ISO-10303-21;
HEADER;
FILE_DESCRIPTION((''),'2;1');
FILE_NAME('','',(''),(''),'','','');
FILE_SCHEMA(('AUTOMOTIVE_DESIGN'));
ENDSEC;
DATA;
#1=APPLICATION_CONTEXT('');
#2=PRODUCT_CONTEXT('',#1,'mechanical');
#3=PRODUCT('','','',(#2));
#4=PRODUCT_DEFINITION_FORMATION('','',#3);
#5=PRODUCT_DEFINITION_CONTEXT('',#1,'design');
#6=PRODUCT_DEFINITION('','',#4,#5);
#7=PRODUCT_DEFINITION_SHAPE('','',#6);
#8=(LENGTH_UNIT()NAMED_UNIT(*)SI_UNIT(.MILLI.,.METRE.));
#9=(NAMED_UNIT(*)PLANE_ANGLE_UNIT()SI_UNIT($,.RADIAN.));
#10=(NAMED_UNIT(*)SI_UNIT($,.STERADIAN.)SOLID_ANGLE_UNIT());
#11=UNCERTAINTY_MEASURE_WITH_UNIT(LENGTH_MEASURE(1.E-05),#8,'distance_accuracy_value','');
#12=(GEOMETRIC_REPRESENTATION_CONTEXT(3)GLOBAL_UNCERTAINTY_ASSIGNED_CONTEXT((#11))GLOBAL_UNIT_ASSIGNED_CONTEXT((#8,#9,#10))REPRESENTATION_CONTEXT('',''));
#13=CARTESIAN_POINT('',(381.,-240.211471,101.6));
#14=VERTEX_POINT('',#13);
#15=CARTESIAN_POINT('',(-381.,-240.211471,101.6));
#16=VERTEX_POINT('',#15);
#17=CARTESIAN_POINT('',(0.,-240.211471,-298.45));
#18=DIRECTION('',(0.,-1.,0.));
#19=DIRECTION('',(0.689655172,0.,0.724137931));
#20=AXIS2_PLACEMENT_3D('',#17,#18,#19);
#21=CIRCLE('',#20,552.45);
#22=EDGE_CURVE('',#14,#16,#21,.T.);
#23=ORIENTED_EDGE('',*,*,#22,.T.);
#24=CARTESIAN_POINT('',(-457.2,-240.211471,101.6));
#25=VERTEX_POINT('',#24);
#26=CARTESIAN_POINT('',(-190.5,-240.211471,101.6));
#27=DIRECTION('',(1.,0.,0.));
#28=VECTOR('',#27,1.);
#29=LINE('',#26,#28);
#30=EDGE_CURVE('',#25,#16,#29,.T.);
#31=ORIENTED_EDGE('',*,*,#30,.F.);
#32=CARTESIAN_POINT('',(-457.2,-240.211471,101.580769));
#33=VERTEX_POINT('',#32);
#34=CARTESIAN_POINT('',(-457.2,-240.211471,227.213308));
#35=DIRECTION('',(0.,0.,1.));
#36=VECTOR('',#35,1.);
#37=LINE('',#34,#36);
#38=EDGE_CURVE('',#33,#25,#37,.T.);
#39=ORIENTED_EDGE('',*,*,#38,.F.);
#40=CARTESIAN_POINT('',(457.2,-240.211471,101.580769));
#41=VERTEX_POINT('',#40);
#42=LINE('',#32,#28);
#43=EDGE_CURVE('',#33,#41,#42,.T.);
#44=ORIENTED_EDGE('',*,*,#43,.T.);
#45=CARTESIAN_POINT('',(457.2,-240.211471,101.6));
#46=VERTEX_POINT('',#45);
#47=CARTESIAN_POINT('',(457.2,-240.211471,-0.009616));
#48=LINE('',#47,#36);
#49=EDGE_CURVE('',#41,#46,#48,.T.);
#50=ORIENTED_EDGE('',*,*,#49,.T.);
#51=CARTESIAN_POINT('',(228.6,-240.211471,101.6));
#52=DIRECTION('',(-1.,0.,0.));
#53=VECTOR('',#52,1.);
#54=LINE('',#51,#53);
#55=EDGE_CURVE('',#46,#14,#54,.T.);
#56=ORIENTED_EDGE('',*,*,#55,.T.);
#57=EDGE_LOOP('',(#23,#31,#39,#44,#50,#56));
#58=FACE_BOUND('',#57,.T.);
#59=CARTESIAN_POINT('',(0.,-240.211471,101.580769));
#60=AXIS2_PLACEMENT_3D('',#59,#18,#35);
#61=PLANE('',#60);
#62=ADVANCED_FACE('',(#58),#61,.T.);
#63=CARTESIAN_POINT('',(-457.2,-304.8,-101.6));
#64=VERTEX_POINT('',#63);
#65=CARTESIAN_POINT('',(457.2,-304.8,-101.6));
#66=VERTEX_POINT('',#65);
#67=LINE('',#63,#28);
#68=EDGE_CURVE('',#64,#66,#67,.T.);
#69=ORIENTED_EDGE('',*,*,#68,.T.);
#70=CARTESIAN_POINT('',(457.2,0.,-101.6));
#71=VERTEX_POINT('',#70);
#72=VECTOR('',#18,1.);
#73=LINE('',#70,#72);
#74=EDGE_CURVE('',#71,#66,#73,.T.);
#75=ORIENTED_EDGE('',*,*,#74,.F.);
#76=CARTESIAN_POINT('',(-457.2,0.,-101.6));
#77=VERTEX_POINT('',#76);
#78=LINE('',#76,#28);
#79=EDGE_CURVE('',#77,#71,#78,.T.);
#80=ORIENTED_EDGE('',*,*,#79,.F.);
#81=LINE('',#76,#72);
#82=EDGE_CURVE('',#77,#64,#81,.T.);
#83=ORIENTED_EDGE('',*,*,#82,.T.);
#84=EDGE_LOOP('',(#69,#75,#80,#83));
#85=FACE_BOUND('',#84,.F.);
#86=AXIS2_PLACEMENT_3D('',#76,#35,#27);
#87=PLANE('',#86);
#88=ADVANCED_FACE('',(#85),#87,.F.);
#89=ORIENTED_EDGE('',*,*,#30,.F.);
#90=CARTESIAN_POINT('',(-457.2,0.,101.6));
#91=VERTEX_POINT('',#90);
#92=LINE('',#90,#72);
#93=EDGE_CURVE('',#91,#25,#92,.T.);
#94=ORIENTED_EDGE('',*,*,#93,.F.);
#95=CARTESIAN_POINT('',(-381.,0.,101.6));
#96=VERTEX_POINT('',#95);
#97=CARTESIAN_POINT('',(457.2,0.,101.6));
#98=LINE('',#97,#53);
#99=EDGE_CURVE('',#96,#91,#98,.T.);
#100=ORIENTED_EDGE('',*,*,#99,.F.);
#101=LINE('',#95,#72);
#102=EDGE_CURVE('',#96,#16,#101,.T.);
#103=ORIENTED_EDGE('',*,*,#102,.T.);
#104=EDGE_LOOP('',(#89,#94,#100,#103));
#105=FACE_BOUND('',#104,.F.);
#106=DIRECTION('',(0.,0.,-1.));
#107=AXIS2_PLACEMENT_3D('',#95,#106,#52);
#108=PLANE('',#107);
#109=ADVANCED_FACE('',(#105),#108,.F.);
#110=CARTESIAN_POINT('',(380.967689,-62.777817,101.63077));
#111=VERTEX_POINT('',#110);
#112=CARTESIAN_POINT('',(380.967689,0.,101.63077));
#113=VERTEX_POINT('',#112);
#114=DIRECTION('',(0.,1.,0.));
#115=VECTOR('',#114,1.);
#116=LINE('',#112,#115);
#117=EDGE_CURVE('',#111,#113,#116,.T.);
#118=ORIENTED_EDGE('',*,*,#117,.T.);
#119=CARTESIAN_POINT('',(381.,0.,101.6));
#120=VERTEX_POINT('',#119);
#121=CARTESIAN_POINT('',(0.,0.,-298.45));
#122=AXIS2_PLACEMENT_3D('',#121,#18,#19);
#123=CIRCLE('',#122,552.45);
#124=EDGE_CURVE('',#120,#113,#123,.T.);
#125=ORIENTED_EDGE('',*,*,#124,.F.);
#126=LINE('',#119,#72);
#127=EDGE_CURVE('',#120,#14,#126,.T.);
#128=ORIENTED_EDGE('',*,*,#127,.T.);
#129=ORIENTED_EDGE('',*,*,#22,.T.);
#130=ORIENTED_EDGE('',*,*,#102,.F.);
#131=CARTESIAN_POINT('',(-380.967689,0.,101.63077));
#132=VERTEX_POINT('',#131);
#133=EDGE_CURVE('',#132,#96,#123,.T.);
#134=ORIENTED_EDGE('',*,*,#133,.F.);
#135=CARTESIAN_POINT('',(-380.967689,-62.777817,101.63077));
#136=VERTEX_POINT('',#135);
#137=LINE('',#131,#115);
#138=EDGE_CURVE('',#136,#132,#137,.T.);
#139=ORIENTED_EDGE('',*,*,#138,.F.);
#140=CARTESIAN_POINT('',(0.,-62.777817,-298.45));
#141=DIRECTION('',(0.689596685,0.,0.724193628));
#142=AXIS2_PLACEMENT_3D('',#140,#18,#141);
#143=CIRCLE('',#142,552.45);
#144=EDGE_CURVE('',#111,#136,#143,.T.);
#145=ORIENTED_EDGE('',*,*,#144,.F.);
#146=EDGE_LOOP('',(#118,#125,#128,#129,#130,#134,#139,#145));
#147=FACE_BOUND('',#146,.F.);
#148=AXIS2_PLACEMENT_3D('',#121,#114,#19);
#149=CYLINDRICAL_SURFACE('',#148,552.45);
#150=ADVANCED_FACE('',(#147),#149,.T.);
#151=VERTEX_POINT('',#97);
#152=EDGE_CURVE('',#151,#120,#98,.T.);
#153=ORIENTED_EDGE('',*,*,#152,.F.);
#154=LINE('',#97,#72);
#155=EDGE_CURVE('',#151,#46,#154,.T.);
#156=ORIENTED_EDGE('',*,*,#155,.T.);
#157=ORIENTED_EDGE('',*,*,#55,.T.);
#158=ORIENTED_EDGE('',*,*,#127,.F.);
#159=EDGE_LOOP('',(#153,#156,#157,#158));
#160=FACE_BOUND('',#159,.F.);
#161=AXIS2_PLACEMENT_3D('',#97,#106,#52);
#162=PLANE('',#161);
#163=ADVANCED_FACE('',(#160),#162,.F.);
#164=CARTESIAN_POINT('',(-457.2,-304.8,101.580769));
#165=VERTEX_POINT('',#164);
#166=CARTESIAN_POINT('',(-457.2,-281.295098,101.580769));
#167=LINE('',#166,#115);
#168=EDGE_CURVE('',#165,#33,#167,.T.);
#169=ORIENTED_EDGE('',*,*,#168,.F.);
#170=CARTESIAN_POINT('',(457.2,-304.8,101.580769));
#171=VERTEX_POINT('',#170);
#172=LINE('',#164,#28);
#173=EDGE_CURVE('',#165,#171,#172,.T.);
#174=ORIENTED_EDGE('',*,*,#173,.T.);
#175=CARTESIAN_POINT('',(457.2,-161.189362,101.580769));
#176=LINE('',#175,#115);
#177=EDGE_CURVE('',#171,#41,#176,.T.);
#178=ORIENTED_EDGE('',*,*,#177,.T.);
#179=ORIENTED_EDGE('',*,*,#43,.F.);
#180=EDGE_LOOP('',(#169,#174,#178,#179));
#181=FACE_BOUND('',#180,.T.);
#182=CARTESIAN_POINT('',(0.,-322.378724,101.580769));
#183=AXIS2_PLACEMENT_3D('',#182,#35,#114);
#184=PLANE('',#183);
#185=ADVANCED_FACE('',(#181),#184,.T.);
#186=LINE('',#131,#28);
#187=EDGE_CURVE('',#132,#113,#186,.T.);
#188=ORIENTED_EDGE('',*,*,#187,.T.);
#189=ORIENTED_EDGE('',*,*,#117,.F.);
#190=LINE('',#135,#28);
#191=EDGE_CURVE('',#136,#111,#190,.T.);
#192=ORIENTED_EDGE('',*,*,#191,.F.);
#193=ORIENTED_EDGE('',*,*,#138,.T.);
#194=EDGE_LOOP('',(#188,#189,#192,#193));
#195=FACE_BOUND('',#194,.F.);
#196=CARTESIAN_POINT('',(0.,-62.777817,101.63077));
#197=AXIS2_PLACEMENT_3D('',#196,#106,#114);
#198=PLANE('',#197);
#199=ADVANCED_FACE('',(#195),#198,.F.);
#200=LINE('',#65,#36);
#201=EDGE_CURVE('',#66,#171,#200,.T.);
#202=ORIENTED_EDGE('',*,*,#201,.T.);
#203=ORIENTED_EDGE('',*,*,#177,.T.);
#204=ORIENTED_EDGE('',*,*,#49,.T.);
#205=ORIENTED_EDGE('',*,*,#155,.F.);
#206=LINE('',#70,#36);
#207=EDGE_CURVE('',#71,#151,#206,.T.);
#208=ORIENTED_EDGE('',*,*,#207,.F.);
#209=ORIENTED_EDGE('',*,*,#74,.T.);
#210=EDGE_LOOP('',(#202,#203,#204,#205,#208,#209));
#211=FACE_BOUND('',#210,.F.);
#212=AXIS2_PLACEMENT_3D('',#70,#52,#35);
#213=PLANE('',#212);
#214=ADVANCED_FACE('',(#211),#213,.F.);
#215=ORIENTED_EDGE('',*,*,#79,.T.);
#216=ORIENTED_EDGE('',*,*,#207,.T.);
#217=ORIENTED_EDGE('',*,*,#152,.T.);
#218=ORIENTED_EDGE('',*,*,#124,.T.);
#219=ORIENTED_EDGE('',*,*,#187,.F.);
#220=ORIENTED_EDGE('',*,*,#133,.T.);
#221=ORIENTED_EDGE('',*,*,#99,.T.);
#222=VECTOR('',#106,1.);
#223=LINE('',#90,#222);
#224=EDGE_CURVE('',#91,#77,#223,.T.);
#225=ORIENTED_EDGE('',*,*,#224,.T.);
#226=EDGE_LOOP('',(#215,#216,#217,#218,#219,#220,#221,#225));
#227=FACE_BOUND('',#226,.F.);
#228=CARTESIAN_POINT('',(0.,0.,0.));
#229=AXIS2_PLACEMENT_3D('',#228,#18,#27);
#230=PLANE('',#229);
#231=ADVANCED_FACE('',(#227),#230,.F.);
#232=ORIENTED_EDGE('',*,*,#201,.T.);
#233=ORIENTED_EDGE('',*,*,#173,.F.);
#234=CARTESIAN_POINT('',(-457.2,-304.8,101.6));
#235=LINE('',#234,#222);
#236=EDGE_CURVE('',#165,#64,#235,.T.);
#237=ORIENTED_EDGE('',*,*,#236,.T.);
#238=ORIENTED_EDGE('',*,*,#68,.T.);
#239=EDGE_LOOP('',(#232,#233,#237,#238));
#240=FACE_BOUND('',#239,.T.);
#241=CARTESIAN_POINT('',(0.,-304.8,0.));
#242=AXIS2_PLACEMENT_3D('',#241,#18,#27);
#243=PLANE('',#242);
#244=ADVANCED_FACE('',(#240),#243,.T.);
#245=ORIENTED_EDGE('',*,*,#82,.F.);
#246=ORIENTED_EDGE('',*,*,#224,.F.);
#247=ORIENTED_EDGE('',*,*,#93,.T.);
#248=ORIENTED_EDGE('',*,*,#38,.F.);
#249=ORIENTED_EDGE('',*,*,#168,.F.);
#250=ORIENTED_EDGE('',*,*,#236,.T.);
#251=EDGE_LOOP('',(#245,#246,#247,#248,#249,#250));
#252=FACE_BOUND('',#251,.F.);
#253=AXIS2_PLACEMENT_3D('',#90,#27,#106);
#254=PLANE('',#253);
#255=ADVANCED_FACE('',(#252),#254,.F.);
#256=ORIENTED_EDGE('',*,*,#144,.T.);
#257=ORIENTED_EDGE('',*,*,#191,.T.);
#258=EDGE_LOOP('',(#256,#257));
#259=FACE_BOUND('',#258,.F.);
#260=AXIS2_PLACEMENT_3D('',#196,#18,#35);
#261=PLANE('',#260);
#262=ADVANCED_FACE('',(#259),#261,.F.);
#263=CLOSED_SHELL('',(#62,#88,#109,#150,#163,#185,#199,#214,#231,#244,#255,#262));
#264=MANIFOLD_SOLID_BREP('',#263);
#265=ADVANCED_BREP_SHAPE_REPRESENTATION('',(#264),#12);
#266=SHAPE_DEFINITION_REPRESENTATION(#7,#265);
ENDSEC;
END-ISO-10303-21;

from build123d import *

# Parameters (mm, degrees)
F1_DEPTH      = 304.8
F2_W          = 62.777817
F2_H          = 242.879308
F2_W_2        = 82.167253
F2_H_2        = 251.265079
F3_DEPTH      = 914.4
F3_DEPTH_BACK = 457.2


with BuildPart() as f1:
    # F0 (on Front) → F1 (new body)
    with BuildSketch(Plane.XZ):
        Polygon((457.2, -101.6), (457.2, 101.6), (381, 101.6), (-381, 101.6), (-457.2, 101.6), (-457.2, -101.6), align=None)
        with BuildLine():
            Line((-381, 101.6), (381, 101.6))
            ThreePointArc((381, 101.6), (0, 254), (-381, 101.6))
        make_face()
    extrude(amount=F1_DEPTH)

    # F2 (on Right) → F3 (cut, two sides)
    with BuildSketch(Plane.YZ) as f3_sk:
        with Locations((-31.388908, 223.070424)):
            Rectangle(F2_W, F2_H)
        with Locations((-281.295098, 227.213308)):
            Rectangle(F2_W_2, F2_H_2)
    extrude(amount=F3_DEPTH, mode=Mode.SUBTRACT)
    extrude(f3_sk.sketch, amount=-F3_DEPTH_BACK, mode=Mode.SUBTRACT)


solid = f1.part
